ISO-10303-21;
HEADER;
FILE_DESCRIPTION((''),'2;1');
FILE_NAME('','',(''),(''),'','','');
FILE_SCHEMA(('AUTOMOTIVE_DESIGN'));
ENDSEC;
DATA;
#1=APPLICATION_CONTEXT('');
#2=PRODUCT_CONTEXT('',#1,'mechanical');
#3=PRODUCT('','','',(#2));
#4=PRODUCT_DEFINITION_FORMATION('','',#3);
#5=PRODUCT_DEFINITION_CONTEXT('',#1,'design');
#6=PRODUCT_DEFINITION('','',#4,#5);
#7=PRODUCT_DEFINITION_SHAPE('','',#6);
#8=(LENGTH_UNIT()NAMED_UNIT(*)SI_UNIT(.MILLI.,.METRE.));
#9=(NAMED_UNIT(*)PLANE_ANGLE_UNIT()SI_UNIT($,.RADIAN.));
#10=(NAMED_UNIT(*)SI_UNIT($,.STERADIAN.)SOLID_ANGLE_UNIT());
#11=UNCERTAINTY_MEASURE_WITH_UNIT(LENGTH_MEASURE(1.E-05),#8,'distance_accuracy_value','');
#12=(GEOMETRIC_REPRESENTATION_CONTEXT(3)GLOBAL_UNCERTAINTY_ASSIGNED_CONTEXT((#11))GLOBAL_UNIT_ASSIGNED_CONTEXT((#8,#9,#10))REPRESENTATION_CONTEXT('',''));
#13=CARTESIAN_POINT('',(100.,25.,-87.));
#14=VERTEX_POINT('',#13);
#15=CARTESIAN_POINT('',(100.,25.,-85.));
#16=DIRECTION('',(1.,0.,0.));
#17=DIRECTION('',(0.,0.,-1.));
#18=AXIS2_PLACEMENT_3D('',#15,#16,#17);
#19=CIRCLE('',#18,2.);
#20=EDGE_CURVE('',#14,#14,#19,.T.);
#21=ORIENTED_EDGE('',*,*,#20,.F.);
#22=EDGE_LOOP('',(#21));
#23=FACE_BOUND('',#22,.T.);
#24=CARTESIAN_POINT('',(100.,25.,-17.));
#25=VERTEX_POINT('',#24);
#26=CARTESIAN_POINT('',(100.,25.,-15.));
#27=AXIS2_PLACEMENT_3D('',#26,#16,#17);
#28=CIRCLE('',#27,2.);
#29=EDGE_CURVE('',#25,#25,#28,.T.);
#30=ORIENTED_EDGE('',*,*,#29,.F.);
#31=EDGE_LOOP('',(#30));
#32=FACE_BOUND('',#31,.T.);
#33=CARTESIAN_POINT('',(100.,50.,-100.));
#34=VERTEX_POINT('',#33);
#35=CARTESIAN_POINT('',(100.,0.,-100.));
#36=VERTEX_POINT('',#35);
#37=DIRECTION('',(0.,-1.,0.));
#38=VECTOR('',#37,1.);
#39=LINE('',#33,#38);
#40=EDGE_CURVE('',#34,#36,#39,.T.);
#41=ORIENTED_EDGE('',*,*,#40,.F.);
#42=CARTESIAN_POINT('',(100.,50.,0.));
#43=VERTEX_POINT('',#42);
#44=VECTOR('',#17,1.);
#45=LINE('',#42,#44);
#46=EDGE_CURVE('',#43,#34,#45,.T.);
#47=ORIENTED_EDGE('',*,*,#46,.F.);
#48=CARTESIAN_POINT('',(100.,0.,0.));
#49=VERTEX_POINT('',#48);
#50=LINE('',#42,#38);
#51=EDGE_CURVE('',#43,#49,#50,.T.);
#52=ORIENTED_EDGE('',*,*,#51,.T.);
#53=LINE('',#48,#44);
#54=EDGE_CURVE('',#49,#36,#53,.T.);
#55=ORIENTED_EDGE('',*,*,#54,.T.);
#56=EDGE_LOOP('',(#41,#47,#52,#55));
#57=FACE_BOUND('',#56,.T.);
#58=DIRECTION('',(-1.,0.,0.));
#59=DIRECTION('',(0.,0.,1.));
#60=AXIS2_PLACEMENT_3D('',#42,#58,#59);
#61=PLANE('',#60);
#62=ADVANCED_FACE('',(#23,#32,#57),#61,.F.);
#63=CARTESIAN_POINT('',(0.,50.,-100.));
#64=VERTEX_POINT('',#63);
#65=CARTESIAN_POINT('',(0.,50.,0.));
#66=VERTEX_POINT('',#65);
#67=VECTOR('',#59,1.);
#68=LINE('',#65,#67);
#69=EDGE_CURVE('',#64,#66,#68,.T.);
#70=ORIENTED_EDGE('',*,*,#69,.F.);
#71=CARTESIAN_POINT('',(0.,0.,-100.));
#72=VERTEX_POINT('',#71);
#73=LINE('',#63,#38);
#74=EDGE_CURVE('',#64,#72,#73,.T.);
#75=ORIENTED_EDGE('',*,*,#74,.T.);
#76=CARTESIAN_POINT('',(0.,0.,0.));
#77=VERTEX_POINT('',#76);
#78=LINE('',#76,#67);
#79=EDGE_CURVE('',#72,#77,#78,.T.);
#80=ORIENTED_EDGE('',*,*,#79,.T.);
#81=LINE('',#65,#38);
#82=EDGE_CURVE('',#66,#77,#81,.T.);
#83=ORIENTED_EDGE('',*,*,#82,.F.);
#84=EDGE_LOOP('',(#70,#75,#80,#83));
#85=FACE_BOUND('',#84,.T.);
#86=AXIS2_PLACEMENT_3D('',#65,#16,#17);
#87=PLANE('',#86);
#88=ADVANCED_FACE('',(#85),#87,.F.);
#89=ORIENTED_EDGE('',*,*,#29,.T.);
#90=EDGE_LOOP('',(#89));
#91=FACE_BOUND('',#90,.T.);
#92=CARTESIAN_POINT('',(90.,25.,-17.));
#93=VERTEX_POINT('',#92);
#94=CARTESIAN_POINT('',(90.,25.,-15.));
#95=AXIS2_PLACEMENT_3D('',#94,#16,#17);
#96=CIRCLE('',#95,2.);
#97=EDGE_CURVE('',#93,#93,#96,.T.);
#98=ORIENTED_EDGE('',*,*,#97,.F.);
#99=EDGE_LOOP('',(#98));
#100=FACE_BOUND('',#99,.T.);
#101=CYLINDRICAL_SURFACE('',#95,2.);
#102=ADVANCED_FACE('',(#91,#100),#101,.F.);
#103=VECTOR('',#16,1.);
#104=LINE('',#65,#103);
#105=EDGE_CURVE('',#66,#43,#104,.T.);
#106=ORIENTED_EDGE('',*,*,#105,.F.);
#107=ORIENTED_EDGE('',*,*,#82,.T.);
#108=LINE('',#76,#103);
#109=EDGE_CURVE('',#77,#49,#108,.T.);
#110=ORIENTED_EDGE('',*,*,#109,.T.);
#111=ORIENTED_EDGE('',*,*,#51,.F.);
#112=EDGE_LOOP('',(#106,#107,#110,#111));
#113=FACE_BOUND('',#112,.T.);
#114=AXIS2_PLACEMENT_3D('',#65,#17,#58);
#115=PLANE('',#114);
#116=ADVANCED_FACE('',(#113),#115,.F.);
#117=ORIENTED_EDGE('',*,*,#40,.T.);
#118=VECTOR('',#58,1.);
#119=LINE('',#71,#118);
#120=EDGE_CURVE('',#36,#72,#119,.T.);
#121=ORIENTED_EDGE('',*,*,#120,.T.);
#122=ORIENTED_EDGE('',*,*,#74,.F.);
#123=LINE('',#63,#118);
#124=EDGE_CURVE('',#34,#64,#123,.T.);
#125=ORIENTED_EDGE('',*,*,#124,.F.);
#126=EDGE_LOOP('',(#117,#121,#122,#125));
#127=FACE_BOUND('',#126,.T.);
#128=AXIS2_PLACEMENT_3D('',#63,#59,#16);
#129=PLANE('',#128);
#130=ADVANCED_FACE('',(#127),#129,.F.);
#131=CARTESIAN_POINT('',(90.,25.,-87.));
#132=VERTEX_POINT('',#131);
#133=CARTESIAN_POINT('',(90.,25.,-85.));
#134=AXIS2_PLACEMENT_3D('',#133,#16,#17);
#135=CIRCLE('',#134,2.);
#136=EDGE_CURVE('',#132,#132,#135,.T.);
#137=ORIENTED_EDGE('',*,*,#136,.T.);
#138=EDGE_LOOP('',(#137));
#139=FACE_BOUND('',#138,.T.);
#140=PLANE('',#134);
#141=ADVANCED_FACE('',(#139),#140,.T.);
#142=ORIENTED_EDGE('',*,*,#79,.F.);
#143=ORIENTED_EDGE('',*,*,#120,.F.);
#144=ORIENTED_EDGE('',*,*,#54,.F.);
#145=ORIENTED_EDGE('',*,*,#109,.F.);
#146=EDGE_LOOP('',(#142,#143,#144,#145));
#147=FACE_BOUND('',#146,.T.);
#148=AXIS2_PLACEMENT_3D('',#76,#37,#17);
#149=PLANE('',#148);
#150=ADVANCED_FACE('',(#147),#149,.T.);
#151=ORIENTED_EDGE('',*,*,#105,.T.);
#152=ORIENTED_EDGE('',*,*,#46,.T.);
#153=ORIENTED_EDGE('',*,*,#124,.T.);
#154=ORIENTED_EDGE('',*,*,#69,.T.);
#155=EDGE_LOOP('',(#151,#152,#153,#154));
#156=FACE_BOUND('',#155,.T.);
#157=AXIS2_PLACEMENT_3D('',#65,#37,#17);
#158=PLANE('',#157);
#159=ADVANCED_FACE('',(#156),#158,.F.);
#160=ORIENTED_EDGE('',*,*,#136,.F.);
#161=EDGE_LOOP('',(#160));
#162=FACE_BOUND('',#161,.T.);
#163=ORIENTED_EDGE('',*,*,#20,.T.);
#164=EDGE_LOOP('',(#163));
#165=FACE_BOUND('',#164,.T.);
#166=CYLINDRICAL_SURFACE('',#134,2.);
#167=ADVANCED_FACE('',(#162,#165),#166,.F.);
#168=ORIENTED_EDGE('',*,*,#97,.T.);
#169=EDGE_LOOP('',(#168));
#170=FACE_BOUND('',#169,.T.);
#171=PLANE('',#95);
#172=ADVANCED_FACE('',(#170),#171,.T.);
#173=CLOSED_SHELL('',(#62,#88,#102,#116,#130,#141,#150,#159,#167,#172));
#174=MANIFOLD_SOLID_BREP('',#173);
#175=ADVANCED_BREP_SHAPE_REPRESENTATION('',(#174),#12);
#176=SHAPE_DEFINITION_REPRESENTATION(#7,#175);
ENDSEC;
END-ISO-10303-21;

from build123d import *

# Parameters (mm, degrees)
SKETCH1_W           = 100
SKETCH1_H           = 100
BOSS_EXTRUDE1_DEPTH = 50
SKETCH2_R           = 2
CUT_EXTRUDE1_DEPTH  = 10


with BuildPart() as part:
    # Sketch1 → Boss-Extrude1 (new body)
    with BuildSketch(Plane(origin=(0, 0, 0), x_dir=(1, 0, 0), z_dir=(0, 1, 0))):
        with Locations((50, 50)):
            Rectangle(SKETCH1_W, SKETCH1_H)
    extrude(amount=BOSS_EXTRUDE1_DEPTH)

    # Sketch2 → Cut-Extrude1 (cut)
    with BuildSketch(Plane(origin=(100, 0, 0), x_dir=(0, 0, -1), z_dir=(1, 0, 0))):
        with Locations((15, 25)):
            Circle(SKETCH2_R)
        with Locations((85, 25)):
            Circle(SKETCH2_R)
    extrude(amount=-CUT_EXTRUDE1_DEPTH, mode=Mode.SUBTRACT)


solid = part.part
